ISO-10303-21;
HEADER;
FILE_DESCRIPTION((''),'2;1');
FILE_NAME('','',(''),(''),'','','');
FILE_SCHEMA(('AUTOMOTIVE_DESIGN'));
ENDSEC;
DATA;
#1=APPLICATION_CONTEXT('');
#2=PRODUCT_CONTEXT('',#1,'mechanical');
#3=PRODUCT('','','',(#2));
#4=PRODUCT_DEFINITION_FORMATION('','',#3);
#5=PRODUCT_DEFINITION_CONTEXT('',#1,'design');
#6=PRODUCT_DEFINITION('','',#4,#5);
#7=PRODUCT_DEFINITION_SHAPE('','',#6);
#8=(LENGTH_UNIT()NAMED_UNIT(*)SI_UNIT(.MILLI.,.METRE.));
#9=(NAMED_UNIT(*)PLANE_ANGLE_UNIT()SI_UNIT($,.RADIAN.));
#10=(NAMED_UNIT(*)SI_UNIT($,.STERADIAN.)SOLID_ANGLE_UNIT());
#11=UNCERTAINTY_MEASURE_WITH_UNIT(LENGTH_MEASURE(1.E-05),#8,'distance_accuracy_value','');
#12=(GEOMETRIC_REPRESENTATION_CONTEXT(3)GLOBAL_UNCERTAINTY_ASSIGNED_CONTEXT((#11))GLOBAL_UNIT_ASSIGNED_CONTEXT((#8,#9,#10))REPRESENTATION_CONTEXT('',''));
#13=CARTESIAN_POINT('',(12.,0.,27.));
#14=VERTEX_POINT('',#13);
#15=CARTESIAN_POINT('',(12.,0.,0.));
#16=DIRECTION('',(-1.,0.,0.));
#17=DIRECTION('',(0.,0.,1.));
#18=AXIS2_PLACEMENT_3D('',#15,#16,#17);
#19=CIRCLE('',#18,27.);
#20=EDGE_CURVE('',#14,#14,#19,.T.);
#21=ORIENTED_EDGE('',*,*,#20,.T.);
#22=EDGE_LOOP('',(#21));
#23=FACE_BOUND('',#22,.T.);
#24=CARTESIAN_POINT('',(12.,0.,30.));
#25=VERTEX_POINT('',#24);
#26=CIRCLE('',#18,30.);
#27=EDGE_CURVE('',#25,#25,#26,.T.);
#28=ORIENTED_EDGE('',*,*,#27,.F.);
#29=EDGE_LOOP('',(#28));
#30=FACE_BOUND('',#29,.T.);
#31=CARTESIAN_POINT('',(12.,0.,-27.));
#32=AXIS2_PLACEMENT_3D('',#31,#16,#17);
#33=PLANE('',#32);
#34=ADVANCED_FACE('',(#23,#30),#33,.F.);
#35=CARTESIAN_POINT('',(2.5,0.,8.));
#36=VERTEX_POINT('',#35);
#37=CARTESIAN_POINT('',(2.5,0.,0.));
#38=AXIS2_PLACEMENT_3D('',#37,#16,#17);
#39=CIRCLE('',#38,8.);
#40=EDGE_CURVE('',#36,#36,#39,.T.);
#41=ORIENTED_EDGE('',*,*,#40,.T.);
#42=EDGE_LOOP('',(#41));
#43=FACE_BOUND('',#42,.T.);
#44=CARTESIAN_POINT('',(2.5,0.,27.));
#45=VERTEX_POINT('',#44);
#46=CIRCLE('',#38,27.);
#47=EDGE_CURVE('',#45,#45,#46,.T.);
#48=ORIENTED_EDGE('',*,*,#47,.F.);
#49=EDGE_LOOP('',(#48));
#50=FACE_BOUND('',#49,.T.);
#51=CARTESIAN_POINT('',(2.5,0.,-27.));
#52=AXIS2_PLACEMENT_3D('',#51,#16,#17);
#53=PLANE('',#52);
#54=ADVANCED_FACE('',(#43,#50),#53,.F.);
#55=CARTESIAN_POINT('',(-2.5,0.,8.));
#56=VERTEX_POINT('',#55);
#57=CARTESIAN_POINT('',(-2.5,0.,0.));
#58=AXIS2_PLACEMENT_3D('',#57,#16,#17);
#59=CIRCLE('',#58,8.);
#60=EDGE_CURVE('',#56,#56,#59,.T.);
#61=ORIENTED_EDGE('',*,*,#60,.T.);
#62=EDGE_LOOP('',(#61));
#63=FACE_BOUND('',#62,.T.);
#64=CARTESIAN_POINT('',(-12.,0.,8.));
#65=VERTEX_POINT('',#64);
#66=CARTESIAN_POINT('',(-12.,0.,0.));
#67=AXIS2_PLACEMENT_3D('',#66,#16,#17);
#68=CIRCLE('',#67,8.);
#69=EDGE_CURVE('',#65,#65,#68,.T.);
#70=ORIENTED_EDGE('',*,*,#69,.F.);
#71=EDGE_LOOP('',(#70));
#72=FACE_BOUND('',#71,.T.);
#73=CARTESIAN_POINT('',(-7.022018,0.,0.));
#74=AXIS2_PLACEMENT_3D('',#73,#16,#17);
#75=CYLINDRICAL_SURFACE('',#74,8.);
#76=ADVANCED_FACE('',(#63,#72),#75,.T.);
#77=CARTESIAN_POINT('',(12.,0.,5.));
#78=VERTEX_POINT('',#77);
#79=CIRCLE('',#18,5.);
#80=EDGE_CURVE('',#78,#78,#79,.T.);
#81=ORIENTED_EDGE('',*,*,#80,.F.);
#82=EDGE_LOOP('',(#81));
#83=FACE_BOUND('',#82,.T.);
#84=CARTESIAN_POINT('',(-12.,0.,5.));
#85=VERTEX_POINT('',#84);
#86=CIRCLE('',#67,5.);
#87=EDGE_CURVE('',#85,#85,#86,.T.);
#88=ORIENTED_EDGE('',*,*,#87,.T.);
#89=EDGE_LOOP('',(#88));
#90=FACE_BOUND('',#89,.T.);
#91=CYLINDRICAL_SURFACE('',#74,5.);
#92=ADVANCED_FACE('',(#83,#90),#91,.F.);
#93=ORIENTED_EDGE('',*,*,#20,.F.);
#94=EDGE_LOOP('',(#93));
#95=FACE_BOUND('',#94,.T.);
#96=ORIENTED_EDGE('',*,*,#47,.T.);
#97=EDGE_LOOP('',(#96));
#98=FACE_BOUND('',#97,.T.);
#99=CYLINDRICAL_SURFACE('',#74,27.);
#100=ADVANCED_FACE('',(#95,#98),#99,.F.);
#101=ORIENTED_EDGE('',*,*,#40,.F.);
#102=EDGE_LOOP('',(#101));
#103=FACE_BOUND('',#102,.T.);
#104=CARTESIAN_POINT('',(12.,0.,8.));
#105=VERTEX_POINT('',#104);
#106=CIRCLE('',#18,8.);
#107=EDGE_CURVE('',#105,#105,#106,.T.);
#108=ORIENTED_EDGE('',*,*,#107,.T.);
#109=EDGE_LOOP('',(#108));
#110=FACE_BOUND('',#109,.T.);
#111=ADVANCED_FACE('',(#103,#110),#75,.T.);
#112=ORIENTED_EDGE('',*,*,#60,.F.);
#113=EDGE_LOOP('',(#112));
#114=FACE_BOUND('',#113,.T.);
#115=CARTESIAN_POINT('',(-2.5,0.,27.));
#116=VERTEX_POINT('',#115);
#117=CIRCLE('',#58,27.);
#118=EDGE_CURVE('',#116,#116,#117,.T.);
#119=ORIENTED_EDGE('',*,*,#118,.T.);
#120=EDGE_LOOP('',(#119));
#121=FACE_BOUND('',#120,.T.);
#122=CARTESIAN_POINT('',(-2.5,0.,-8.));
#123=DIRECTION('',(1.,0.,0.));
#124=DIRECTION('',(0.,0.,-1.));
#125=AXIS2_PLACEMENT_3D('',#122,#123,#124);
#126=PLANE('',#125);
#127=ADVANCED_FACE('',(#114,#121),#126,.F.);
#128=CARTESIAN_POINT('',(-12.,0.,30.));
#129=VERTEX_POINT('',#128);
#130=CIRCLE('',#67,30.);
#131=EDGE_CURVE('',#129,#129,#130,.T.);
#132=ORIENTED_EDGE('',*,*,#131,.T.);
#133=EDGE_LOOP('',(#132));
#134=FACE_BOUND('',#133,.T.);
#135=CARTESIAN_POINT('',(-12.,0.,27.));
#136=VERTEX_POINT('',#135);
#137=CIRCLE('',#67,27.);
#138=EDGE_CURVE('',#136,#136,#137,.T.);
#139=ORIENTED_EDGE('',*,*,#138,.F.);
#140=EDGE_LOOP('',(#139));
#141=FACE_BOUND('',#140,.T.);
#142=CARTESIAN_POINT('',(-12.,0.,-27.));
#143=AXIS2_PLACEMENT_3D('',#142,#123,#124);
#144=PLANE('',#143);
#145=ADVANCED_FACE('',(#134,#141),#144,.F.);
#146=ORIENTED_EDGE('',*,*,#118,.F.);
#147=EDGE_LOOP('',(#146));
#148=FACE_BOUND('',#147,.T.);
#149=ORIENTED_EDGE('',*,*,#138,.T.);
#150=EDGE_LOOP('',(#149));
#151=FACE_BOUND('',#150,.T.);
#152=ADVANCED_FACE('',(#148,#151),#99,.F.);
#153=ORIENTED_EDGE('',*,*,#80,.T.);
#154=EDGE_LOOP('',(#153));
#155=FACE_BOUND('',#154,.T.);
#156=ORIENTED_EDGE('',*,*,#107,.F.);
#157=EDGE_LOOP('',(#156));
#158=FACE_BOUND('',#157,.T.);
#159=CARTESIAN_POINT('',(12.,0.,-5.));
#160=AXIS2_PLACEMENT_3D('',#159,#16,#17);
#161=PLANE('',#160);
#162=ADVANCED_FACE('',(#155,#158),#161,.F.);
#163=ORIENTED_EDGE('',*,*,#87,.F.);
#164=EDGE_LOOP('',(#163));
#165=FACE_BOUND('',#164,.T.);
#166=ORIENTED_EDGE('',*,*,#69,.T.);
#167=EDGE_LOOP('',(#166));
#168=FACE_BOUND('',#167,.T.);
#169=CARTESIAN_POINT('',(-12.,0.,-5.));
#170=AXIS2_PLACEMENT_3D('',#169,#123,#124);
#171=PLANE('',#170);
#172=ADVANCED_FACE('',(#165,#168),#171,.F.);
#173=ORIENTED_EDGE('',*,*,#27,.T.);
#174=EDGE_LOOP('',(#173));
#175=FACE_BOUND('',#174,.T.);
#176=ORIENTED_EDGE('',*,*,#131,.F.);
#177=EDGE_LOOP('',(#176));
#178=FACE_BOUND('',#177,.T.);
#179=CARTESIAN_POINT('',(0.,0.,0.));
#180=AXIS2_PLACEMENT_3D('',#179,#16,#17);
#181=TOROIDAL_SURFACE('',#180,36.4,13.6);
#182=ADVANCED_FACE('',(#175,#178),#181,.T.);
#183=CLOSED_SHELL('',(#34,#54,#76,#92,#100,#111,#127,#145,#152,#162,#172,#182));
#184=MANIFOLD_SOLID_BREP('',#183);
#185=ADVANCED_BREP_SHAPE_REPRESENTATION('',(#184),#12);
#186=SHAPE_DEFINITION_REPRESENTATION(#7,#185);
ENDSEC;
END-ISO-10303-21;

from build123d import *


with BuildPart() as part:
    # Sketch1 → Revolve1 (revolve)
    with BuildSketch(Plane(origin=(0, 0, 0), x_dir=(1, 0, 0), z_dir=(0, 1, 0))):
        with BuildLine():
            Line((-12, 8), (-2.5, 8))
            Line((-2.5, 8), (-2.5, 27))
            Line((-2.5, 27), (-12, 27))
            Line((-12, 27), (-12, 30))
            ThreePointArc((-12, 30), (0, 50), (12, 30))
            Line((12, 30), (12, 27))
            Line((12, 27), (2.5, 27))
            Line((2.5, 27), (2.5, 8))
            Line((2.5, 8), (12, 8))
            Line((12, 8), (12, 5))
            Line((12, 5), (-12, 5))
            Line((-12, 5), (-12, 8))
        make_face()
    revolve(axis=Axis((-7.022018073, 0, 0), (1, 0, 0)))


solid = part.part
